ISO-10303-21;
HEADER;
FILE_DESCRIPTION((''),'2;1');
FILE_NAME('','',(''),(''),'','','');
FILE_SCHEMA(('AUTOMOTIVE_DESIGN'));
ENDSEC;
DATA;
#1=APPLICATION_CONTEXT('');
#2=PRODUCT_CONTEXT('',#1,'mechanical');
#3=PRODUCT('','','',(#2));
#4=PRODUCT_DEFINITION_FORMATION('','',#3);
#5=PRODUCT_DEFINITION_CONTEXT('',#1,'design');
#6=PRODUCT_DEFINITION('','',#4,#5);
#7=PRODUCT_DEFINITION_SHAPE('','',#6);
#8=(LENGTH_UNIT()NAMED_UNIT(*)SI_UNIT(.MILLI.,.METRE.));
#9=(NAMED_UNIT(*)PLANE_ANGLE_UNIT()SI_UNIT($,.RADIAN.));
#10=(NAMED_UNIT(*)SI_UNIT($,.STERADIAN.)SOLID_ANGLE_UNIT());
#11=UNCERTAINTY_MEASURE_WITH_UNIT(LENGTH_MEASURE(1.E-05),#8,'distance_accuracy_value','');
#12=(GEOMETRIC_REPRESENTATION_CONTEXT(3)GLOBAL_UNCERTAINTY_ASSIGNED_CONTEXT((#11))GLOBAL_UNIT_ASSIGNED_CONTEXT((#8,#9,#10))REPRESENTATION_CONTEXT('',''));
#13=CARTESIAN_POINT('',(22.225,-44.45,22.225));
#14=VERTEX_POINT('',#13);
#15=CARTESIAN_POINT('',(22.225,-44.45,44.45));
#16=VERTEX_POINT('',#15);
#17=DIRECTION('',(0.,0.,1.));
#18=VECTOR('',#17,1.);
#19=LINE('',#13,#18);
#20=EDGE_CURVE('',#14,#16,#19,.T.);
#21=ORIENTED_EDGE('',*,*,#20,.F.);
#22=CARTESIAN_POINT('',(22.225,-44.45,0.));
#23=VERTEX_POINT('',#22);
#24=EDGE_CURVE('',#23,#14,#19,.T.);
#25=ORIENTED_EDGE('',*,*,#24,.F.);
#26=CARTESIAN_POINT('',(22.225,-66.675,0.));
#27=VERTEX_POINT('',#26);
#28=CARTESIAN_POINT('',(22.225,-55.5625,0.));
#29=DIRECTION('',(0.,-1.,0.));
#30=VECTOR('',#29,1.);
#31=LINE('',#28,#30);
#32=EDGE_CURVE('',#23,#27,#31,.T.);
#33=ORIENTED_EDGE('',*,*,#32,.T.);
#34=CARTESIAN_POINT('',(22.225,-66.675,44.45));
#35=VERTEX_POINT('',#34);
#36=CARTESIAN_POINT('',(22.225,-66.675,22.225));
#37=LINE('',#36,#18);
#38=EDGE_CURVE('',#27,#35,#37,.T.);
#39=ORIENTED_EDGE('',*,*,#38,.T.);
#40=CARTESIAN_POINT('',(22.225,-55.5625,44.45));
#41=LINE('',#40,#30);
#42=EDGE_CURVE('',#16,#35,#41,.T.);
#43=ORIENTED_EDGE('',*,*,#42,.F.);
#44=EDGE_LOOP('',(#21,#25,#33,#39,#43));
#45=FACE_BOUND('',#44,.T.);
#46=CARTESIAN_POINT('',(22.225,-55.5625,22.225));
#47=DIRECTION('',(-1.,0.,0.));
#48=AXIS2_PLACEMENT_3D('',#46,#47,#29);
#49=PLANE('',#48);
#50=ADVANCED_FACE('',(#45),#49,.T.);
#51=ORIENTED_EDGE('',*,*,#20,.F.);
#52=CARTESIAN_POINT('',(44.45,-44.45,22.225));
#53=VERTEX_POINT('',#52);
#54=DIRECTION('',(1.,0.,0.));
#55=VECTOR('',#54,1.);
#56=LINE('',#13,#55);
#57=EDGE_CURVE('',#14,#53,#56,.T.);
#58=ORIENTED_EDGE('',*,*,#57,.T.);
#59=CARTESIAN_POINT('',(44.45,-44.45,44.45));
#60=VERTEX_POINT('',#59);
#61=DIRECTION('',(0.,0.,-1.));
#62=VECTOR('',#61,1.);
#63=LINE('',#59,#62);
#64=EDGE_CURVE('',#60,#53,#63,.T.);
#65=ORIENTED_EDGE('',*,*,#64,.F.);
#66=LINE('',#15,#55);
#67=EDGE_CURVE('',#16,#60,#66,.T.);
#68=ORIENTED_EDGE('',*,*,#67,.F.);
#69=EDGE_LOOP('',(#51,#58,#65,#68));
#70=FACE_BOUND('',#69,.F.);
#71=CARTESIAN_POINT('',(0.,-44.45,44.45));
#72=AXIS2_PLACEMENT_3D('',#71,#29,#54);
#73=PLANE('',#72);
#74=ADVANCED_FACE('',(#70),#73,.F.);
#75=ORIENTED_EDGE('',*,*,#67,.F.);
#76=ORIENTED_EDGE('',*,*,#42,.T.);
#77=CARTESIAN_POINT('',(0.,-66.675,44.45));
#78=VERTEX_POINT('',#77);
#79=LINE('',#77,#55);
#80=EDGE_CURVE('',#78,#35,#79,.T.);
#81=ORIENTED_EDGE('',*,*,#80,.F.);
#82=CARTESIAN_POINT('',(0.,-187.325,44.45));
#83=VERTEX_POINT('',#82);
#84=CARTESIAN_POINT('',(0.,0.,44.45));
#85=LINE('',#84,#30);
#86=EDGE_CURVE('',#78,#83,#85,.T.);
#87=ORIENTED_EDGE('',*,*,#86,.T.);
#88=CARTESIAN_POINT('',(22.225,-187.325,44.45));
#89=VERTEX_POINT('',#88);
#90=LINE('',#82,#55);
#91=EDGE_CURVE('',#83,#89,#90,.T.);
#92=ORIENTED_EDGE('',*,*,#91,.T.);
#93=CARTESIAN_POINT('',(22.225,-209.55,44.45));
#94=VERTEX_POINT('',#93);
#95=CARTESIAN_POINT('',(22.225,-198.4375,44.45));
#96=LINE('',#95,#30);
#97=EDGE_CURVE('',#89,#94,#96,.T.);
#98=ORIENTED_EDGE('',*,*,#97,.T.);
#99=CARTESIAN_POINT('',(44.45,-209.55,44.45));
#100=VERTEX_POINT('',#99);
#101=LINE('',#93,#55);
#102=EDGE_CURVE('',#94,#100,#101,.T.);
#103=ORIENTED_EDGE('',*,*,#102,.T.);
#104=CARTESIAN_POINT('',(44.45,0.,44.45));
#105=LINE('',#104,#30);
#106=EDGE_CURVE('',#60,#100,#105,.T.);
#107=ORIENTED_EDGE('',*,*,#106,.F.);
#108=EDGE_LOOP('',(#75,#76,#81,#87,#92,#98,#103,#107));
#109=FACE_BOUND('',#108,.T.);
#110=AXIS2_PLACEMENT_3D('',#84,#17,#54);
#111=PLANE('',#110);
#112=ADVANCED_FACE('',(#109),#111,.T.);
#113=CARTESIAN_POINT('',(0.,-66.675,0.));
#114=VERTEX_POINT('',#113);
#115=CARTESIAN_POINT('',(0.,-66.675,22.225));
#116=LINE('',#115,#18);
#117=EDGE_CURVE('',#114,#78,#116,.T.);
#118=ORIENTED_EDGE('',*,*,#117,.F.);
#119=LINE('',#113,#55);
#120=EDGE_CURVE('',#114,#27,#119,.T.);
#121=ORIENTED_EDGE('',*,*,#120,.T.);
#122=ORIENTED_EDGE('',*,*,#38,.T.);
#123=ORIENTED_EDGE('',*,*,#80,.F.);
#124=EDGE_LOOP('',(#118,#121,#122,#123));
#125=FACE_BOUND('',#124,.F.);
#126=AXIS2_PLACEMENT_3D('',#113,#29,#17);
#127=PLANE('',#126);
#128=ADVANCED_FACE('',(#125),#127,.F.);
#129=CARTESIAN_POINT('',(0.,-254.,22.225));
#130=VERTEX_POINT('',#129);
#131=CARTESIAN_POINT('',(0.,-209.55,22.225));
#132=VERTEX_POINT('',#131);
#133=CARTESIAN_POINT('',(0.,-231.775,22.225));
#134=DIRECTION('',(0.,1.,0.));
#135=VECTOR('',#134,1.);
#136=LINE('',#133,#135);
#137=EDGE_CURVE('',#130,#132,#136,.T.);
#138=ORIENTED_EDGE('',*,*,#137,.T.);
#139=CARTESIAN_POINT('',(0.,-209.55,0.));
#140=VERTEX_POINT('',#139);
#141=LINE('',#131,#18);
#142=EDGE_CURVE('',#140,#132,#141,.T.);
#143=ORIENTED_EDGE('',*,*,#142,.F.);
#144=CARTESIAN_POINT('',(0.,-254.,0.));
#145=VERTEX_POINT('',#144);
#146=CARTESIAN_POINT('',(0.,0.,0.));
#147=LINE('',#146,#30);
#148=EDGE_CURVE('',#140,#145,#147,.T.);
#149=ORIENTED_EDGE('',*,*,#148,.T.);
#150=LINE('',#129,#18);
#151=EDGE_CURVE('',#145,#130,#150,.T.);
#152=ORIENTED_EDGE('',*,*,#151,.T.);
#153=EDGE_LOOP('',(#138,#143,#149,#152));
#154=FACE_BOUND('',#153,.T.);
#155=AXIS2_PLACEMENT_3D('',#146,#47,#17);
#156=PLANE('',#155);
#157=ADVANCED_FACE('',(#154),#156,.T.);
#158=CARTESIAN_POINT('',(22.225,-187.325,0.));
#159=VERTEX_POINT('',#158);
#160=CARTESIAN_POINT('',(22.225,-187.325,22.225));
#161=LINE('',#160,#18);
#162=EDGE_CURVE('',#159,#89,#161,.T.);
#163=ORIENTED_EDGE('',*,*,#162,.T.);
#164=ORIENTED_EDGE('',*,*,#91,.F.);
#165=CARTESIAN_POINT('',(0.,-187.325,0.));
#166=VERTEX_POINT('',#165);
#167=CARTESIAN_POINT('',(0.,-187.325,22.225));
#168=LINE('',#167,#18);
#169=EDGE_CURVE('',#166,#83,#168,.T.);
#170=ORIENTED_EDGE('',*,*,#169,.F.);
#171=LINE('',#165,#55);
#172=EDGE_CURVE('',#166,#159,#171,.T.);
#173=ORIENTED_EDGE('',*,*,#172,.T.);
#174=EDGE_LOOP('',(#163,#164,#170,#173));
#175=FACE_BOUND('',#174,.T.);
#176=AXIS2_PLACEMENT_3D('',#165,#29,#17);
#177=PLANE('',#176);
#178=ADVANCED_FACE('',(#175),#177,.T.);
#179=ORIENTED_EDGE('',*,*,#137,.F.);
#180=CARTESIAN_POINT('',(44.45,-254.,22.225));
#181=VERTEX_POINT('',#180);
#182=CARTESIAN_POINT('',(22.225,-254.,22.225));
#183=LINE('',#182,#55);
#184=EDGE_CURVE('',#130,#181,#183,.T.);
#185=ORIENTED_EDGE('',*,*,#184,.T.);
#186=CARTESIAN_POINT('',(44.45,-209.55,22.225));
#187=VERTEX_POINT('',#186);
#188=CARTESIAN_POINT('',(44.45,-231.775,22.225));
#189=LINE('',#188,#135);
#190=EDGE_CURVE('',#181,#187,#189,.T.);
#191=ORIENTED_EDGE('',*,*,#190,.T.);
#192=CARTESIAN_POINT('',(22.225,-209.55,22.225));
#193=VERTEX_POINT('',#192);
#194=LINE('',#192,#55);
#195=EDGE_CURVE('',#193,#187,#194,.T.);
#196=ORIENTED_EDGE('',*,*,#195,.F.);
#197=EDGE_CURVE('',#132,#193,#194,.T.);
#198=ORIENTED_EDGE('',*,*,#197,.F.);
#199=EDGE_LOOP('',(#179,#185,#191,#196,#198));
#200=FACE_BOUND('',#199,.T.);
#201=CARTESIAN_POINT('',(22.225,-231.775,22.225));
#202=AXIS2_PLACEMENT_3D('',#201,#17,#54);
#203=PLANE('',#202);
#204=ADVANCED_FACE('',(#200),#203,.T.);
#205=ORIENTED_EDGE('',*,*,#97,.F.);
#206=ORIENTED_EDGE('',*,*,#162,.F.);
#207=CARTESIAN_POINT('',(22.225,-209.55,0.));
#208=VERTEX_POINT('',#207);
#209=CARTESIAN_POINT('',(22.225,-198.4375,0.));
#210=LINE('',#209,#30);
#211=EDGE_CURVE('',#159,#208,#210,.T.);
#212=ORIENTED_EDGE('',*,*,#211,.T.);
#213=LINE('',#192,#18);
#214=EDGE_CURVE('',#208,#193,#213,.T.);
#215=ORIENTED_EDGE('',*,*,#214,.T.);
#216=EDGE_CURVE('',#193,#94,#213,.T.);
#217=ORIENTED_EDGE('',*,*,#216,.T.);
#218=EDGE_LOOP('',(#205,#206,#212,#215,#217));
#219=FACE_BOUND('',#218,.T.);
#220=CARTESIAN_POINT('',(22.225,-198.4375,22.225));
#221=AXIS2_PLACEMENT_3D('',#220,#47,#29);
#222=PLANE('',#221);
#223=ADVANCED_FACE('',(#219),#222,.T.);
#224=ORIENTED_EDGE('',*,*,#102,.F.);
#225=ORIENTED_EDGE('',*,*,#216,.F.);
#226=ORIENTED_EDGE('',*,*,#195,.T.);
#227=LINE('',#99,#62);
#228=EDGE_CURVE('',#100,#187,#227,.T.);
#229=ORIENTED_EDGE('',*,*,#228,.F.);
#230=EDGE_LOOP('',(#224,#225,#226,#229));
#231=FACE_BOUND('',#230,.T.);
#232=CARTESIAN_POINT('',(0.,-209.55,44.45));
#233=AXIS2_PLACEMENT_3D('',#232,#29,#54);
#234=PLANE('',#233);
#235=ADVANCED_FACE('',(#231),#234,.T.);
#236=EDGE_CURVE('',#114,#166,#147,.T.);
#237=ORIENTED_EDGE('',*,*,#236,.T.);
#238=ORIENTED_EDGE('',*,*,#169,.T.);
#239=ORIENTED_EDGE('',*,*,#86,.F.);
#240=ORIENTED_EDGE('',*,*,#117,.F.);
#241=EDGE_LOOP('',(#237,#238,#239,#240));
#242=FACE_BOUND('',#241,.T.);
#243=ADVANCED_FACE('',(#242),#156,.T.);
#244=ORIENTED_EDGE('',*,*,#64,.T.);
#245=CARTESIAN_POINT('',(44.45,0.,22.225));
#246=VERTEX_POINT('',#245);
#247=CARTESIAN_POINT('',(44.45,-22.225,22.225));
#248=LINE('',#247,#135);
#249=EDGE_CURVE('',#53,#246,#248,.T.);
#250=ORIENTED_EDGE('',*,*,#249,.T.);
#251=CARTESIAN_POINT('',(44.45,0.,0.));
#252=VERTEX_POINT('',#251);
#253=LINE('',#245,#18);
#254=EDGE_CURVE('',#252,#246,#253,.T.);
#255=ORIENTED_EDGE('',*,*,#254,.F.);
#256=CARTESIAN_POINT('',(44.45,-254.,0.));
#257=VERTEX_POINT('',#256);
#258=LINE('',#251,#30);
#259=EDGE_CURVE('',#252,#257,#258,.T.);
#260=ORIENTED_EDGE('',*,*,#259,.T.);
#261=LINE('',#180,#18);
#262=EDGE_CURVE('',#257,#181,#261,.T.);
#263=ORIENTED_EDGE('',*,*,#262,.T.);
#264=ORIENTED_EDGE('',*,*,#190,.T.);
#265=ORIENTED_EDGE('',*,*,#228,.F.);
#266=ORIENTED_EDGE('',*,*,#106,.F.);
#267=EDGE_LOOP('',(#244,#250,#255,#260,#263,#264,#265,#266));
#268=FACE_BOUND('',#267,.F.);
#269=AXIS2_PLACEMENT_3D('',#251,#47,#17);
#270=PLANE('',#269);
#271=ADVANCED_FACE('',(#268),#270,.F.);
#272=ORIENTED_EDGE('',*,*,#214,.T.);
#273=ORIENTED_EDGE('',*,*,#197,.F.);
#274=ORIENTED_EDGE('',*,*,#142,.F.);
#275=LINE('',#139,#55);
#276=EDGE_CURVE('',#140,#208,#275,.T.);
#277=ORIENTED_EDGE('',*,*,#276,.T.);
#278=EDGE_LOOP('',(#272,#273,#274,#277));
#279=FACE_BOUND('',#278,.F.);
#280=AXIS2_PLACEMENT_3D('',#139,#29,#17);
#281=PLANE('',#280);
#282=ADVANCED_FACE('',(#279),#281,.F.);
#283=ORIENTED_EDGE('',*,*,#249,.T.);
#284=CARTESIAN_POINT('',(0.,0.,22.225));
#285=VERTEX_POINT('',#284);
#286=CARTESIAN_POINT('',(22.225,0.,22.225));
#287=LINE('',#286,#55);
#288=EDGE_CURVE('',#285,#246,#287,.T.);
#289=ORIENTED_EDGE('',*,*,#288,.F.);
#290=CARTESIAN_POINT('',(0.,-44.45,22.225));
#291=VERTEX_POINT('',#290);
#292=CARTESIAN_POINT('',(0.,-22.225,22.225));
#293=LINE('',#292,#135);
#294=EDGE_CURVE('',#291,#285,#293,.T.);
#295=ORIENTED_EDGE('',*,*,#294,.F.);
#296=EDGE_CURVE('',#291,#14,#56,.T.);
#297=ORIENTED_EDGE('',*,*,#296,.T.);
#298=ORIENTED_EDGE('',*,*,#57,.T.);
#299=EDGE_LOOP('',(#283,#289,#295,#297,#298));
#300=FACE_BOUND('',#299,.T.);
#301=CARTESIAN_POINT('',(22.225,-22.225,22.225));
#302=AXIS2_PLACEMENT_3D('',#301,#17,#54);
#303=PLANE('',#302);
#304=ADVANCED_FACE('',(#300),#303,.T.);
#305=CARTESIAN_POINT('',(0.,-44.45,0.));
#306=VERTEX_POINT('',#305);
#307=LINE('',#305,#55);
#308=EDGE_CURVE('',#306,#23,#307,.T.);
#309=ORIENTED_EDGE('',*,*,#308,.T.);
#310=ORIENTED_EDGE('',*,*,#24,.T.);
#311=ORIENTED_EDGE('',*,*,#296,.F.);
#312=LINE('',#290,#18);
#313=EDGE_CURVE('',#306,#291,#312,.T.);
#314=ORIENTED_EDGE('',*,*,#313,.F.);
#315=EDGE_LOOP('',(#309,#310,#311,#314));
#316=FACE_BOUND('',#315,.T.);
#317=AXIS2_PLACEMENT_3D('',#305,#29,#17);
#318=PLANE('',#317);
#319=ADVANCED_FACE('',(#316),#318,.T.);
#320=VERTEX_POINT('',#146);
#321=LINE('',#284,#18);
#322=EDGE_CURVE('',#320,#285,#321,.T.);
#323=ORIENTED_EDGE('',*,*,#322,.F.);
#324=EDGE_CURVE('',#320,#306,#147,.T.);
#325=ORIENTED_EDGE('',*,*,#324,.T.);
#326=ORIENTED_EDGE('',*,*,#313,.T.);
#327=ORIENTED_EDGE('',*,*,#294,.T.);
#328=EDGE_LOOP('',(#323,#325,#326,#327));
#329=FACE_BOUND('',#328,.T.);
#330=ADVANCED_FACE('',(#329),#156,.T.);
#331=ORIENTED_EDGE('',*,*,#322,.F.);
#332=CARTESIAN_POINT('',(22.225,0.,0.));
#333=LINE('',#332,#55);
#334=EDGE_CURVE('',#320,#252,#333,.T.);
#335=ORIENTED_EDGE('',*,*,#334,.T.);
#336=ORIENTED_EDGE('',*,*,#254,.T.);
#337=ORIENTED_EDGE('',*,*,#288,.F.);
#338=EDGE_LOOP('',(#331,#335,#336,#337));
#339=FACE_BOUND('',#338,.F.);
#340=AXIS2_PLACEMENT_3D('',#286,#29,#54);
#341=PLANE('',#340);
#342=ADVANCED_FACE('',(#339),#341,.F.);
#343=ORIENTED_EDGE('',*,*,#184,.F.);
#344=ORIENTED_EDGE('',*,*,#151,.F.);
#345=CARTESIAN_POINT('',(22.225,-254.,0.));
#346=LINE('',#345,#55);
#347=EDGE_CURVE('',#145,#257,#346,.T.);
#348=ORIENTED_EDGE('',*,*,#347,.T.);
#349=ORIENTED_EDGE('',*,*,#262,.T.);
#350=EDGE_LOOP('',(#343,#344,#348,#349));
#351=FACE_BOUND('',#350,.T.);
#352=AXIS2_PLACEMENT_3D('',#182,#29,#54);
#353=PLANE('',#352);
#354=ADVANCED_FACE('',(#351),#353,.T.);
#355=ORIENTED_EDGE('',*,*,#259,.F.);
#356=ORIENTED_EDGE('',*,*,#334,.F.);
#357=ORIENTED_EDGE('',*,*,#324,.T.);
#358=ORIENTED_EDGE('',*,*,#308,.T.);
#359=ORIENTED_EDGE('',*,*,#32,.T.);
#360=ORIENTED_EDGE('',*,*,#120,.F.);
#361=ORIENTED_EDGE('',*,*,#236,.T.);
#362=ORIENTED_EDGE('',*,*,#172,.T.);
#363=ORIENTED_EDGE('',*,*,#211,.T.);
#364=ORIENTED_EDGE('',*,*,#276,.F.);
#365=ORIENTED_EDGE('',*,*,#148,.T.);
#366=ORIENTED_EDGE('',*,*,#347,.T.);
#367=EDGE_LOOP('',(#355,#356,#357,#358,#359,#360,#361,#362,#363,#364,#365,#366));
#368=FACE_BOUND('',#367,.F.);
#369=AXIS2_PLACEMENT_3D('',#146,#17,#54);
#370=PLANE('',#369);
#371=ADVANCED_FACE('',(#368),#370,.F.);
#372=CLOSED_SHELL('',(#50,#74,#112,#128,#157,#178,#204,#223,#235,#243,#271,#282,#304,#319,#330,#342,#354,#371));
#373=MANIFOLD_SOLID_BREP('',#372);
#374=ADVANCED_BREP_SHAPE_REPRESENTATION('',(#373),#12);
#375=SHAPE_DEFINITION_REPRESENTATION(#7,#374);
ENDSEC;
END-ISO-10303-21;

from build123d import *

# Parameters (mm, degrees)
F0_W     = 44.45
F0_H     = 44.45
F1_DEPTH = 254
F2_W     = 44.45
F2_H     = 44.45
F3_DEPTH = 22.225
F4_W     = 22.225
F4_H     = 44.45
F5_DEPTH = 22.225


with BuildPart() as f1:
    # F0 (on Front) → F1 (new body)
    with BuildSketch(Plane.XZ):
        with Locations((22.225, 22.225)):
            Rectangle(F0_W, F0_H)
    extrude(amount=F1_DEPTH)

    # F2 (on face) → F3 (cut)
    with BuildSketch(Plane.XY.offset(44.45)):
        with Locations((22.225, -231.775)):
            Rectangle(F2_W, F2_H)
        with Locations((22.225, -22.225)):
            Rectangle(F2_W, F2_H)
    extrude(amount=-F3_DEPTH, mode=Mode.SUBTRACT)

    # F4 (on face) → F5 (cut)
    with BuildSketch(Plane(origin=(0, 0, 0), x_dir=(0, -1, 0), z_dir=(-1, 0, 0))):
        with Locations((55.5625, 22.225)):
            Rectangle(F4_W, F4_H)
        with Locations((198.4375, 22.225)):
            Rectangle(F4_W, F4_H)
    extrude(amount=-F5_DEPTH, mode=Mode.SUBTRACT)


solid = f1.part
